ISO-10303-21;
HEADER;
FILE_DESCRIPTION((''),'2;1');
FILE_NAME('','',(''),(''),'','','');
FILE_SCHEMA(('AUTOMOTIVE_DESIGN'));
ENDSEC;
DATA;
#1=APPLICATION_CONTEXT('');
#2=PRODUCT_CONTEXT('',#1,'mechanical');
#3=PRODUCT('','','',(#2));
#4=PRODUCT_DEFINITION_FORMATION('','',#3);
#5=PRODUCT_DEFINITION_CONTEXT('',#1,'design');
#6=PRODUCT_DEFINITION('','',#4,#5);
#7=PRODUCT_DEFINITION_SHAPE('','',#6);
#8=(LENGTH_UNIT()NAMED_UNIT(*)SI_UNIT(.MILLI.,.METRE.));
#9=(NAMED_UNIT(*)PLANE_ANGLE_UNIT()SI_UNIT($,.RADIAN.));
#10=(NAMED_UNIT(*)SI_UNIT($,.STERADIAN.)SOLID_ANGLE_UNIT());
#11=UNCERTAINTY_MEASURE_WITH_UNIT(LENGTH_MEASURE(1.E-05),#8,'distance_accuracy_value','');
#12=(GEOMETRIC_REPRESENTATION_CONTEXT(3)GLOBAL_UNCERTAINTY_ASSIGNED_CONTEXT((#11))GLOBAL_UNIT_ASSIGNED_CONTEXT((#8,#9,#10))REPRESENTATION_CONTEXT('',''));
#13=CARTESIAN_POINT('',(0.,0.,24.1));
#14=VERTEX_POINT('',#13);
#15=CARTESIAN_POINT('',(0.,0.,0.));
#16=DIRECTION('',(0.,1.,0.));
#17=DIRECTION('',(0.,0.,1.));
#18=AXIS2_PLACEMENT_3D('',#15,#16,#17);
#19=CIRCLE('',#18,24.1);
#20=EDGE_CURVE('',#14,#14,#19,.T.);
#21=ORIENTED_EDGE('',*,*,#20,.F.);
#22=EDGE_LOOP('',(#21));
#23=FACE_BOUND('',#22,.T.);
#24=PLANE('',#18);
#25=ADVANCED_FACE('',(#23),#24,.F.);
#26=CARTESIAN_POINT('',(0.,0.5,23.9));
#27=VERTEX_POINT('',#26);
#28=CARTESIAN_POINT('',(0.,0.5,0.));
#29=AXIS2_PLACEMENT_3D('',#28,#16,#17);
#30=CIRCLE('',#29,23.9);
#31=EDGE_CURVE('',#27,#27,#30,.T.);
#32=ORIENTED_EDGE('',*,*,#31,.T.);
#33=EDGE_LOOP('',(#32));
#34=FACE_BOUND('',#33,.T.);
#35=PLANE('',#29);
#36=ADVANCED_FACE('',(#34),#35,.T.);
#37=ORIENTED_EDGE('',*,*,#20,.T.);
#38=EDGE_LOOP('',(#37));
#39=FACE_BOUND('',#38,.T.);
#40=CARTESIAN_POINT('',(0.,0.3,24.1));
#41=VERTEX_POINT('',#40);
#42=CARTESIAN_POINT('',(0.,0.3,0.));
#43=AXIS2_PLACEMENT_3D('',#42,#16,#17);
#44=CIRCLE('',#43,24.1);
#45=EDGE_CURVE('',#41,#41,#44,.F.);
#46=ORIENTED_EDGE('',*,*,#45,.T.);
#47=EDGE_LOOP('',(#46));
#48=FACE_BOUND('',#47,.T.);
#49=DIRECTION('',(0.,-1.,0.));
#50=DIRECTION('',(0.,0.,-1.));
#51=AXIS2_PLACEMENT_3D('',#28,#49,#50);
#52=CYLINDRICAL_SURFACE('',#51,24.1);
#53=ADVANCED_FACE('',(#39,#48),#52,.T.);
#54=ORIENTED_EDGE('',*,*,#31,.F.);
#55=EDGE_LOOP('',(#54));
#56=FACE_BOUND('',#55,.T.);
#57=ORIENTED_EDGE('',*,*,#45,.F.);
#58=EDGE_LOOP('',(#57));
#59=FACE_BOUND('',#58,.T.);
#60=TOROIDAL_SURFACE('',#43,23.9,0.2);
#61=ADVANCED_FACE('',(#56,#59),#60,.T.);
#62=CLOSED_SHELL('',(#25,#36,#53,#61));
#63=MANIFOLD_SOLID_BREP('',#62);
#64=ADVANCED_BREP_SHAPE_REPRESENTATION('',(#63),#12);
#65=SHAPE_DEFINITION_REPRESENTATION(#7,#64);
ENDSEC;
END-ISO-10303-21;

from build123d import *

# Parameters (mm, degrees)
BASES_R      = 24.1
BASE_DEPTH   = 0.5
BASEFILLET_R = 0.2


with BuildPart() as part:
    # BaseS → Base (new body)
    with BuildSketch(Plane(origin=(0, 0, 0), x_dir=(1, 0, 0), z_dir=(0, 1, 0))):
        Circle(BASES_R)
    extrude(amount=BASE_DEPTH)

    # BaseFillet
    basefillet_edges = [part.edges().sort_by_distance(p)[0] for p in [
        (-24.1, 0.5, 0),
    ]]
    fillet(basefillet_edges, radius=BASEFILLET_R)


solid = part.part
